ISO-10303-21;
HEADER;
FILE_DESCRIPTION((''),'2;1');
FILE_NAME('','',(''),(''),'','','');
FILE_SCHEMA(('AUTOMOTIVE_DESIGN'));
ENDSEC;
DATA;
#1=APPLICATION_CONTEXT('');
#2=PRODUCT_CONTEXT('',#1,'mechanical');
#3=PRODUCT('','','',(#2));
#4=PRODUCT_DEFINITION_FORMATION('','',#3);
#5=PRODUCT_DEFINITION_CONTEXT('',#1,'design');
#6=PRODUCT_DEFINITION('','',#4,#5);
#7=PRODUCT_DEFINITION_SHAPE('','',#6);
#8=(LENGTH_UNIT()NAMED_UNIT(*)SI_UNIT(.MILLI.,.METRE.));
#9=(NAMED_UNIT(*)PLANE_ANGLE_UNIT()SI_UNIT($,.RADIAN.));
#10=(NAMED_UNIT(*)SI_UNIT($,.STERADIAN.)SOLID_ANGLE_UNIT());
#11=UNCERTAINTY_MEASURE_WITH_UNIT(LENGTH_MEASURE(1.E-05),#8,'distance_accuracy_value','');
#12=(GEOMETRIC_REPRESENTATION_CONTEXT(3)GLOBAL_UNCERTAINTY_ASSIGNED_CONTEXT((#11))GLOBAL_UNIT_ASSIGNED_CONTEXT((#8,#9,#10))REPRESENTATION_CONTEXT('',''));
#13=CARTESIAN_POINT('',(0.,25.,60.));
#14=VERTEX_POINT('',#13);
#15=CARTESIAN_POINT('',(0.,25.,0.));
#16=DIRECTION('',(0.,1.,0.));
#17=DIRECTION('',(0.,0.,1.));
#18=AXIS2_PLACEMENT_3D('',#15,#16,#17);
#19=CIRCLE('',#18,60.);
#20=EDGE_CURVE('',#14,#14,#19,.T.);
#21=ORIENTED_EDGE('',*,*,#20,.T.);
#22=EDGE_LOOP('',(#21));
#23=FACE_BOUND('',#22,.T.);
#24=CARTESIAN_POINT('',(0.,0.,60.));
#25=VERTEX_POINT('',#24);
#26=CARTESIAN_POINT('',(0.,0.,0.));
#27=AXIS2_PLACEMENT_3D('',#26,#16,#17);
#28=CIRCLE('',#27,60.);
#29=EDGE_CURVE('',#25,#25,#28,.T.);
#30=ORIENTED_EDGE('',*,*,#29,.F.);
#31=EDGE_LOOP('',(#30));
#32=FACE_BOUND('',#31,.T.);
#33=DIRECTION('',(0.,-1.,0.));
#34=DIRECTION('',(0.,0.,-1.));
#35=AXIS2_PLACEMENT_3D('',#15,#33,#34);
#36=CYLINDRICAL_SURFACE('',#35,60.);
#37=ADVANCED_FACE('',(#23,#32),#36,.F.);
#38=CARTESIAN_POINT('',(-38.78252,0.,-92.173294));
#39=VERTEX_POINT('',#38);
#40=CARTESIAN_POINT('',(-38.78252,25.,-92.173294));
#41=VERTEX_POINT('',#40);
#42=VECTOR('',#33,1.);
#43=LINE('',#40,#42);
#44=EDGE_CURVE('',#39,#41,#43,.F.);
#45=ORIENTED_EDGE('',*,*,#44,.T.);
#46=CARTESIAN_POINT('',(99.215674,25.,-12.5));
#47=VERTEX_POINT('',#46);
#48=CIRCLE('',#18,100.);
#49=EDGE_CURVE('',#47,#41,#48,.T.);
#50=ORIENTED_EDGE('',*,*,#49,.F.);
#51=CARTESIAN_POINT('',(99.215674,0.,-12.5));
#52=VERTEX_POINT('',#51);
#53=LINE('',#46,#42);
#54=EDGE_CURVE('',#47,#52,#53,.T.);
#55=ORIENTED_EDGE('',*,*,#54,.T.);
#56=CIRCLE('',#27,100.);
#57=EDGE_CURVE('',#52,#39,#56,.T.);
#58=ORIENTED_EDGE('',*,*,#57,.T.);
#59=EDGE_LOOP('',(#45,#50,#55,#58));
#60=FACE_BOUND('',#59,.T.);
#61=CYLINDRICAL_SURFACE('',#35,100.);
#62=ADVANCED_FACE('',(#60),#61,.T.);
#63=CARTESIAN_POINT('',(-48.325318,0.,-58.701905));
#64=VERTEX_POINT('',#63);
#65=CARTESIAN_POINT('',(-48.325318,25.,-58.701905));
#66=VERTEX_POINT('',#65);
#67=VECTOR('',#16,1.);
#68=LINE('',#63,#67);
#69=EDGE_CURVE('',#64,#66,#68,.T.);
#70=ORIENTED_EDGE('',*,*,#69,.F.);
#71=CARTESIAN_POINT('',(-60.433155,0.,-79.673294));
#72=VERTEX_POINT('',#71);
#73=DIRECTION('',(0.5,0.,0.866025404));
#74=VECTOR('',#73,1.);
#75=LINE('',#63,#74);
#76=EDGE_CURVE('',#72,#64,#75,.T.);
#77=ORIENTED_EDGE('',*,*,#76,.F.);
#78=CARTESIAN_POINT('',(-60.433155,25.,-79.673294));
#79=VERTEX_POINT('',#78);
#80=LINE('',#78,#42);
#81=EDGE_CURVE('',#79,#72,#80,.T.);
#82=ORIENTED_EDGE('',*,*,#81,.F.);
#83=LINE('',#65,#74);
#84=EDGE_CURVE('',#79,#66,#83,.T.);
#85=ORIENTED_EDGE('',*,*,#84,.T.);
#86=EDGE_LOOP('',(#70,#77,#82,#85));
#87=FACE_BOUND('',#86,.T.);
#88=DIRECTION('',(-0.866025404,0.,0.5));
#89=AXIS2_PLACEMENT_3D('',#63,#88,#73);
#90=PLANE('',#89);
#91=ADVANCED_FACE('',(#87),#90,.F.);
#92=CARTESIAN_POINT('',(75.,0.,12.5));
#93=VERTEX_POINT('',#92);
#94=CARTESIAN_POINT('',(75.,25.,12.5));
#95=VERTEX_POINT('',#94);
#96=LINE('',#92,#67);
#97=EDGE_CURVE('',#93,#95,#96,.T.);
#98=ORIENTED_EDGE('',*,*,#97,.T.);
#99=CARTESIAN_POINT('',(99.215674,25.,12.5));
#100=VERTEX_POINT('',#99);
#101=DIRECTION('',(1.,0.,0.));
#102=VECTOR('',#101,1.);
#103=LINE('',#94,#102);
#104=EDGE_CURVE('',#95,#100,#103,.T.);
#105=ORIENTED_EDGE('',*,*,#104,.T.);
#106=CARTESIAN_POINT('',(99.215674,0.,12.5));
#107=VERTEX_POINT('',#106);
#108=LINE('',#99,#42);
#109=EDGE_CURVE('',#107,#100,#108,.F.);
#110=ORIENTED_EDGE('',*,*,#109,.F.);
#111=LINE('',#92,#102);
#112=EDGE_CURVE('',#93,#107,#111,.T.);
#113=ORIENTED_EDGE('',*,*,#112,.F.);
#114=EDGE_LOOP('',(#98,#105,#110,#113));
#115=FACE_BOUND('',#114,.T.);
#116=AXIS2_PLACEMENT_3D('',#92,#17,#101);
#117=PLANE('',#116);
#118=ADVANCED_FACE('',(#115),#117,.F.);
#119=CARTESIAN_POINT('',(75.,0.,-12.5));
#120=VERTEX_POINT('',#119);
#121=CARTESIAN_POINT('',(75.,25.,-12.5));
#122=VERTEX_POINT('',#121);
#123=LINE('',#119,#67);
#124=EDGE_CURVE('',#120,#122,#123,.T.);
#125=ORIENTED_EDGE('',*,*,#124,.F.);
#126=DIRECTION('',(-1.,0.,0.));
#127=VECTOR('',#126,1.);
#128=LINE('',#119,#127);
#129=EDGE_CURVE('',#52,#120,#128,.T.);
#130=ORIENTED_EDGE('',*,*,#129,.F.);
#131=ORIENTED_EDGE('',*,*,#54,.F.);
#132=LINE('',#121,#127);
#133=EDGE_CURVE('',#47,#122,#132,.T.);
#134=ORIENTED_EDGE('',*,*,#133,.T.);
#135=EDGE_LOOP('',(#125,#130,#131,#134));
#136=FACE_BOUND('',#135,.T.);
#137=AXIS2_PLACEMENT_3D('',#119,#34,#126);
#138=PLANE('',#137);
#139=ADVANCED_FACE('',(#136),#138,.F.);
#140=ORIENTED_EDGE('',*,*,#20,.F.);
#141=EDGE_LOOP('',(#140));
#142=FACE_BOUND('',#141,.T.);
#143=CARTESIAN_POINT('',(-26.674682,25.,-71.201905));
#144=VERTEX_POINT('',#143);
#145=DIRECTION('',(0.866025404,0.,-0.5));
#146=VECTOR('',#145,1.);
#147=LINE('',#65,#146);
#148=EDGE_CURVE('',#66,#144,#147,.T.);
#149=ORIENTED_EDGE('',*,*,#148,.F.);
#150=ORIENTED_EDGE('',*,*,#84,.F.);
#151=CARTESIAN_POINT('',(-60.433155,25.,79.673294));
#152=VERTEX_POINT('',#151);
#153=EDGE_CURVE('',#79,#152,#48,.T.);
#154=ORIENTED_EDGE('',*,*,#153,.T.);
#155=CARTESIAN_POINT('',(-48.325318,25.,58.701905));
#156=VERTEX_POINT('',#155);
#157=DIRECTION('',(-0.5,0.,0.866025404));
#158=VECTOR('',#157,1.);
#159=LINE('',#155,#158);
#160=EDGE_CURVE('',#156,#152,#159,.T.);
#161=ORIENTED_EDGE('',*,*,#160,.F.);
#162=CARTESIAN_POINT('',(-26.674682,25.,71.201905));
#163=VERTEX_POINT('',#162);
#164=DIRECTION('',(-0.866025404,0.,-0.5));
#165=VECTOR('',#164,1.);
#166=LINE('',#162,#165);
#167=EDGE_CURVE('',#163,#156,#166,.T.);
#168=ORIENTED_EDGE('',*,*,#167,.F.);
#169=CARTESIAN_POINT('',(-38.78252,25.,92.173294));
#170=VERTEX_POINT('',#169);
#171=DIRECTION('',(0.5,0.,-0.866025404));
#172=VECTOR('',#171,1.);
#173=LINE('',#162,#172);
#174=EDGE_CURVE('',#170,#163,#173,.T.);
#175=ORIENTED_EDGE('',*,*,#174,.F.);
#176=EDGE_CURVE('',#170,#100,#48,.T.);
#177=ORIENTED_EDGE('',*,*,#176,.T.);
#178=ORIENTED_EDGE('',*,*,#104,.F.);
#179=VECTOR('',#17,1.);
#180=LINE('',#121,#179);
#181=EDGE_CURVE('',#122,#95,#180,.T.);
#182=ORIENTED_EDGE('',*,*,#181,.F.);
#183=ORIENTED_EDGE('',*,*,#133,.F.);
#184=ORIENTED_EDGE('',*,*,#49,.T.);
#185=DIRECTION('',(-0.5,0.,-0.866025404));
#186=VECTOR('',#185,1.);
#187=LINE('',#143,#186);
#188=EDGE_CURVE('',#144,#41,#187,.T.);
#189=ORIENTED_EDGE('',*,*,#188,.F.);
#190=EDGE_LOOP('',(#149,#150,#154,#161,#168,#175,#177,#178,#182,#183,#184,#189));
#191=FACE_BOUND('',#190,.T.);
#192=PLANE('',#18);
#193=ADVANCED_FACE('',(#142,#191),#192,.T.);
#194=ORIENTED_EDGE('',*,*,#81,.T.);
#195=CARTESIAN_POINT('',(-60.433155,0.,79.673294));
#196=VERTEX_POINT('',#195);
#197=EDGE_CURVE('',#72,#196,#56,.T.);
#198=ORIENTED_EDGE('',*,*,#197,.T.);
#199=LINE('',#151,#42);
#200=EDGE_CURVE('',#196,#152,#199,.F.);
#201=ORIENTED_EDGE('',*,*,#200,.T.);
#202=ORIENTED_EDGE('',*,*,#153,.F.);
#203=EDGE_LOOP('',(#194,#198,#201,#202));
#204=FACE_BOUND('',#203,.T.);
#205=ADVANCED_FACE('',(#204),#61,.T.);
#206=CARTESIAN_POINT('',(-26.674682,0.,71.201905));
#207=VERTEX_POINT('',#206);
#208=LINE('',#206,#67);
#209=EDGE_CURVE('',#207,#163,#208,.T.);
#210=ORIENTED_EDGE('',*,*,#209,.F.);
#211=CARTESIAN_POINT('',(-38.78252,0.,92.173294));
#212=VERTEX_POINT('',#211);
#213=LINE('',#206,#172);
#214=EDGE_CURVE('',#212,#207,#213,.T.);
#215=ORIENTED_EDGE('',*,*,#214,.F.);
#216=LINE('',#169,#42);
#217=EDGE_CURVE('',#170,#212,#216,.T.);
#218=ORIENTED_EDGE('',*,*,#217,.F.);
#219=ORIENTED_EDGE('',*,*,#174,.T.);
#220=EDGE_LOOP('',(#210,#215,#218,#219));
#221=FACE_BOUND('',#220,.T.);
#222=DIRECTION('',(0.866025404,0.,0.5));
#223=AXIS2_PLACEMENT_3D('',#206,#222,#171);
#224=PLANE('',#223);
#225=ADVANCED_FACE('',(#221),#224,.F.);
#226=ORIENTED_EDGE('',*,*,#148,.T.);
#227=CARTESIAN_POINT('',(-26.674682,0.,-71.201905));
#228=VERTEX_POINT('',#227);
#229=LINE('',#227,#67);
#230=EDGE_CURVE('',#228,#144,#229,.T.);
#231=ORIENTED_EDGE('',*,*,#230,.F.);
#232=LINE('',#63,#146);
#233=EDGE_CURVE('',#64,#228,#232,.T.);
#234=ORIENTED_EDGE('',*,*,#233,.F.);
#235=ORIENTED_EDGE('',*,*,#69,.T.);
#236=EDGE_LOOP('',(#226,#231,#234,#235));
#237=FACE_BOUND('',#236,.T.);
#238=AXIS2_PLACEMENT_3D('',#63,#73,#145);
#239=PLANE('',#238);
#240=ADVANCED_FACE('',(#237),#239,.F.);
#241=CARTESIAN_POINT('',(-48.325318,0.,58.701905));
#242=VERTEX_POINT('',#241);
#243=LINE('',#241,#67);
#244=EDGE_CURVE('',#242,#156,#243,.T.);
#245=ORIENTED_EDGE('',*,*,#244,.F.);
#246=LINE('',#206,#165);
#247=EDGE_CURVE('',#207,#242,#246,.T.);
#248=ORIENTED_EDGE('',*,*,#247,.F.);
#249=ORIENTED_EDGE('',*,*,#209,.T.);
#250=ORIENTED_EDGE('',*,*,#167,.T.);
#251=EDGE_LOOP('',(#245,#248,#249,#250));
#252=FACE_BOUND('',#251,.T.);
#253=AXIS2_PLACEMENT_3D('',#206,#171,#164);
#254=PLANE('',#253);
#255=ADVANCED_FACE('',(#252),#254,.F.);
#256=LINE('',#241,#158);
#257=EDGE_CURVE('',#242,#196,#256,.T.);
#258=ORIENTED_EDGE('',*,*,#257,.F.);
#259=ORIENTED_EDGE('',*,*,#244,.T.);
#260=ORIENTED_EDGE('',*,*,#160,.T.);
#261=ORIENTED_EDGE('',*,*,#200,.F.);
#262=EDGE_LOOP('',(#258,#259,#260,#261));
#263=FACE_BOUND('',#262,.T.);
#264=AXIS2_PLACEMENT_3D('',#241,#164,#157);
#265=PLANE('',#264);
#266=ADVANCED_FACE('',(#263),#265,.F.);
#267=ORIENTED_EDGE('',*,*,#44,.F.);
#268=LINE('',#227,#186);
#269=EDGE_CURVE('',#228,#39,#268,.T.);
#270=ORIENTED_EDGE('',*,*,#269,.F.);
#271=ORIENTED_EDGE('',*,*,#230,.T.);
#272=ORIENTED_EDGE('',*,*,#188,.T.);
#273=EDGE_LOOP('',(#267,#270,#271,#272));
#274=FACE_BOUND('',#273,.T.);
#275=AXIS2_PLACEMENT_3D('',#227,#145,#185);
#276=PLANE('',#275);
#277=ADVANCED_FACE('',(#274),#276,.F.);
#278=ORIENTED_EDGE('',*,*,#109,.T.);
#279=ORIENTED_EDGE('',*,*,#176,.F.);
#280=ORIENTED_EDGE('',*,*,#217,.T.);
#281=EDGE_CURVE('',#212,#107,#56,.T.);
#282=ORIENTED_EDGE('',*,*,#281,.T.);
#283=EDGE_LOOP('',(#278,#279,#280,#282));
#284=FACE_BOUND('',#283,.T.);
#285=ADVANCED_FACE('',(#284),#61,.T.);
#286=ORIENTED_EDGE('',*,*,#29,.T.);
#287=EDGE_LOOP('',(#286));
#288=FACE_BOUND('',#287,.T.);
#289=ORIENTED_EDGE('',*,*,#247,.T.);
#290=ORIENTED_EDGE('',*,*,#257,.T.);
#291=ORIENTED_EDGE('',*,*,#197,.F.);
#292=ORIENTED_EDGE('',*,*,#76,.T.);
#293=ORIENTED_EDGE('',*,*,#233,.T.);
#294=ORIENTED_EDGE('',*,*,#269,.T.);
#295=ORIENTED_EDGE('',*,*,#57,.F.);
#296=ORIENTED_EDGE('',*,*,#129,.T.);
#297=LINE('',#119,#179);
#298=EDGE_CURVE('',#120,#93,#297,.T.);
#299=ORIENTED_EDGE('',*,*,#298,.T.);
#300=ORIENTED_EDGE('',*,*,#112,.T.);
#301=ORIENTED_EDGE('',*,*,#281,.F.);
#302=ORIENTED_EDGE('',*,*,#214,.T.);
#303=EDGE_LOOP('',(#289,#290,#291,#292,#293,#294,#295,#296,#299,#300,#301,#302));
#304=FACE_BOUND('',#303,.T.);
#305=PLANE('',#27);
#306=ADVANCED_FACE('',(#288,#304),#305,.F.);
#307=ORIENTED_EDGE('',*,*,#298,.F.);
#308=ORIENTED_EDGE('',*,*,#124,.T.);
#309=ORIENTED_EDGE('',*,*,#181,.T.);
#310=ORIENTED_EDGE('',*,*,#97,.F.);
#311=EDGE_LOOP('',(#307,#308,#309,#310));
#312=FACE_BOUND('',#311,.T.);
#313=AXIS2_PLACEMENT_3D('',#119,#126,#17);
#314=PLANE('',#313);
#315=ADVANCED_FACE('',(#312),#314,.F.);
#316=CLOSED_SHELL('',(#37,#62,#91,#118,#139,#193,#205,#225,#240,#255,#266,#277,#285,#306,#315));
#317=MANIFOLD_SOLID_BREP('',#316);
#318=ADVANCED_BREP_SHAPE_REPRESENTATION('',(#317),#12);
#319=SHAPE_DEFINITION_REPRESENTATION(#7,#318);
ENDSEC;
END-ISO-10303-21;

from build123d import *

# Parameters (mm, degrees)
SKETCH1_R           = 100
SKETCH1_R_2         = 60
BOSS_EXTRUDE1_DEPTH = 25
SKETCH2_W           = 25
SKETCH2_H           = 25
CUT_EXTRUDE1_DEPTH  = 144.614066163
CIRPATTERN1_COUNT   = 3


with BuildPart() as part:
    # Sketch1 → Boss-Extrude1 (new body)
    with BuildSketch(Plane(origin=(0, 0, 0), x_dir=(1, 0, 0), z_dir=(0, 1, 0))):
        Circle(SKETCH1_R)
        Circle(SKETCH1_R_2, mode=Mode.SUBTRACT)
    extrude(amount=BOSS_EXTRUDE1_DEPTH)

    # Sketch2 → Cut-Extrude1 (cut, through all)
    with BuildSketch(Plane(origin=(0, 25, 0), x_dir=(1, 0, 0), z_dir=(0, 1, 0))):
        with Locations((87.5, 0)):
            Rectangle(SKETCH2_W, SKETCH2_H)
    cut_extrude1 = extrude(amount=-CUT_EXTRUDE1_DEPTH, mode=Mode.SUBTRACT)

    # CirPattern1: Cut-Extrude1 ×3 about axis
    cirpattern1_axis = Axis((0, 0, 0), (0, 1, 0))
    for i in range(1, CIRPATTERN1_COUNT):
        add(cut_extrude1.rotate(cirpattern1_axis, i * 360 / CIRPATTERN1_COUNT), mode=Mode.SUBTRACT)


solid = part.part
